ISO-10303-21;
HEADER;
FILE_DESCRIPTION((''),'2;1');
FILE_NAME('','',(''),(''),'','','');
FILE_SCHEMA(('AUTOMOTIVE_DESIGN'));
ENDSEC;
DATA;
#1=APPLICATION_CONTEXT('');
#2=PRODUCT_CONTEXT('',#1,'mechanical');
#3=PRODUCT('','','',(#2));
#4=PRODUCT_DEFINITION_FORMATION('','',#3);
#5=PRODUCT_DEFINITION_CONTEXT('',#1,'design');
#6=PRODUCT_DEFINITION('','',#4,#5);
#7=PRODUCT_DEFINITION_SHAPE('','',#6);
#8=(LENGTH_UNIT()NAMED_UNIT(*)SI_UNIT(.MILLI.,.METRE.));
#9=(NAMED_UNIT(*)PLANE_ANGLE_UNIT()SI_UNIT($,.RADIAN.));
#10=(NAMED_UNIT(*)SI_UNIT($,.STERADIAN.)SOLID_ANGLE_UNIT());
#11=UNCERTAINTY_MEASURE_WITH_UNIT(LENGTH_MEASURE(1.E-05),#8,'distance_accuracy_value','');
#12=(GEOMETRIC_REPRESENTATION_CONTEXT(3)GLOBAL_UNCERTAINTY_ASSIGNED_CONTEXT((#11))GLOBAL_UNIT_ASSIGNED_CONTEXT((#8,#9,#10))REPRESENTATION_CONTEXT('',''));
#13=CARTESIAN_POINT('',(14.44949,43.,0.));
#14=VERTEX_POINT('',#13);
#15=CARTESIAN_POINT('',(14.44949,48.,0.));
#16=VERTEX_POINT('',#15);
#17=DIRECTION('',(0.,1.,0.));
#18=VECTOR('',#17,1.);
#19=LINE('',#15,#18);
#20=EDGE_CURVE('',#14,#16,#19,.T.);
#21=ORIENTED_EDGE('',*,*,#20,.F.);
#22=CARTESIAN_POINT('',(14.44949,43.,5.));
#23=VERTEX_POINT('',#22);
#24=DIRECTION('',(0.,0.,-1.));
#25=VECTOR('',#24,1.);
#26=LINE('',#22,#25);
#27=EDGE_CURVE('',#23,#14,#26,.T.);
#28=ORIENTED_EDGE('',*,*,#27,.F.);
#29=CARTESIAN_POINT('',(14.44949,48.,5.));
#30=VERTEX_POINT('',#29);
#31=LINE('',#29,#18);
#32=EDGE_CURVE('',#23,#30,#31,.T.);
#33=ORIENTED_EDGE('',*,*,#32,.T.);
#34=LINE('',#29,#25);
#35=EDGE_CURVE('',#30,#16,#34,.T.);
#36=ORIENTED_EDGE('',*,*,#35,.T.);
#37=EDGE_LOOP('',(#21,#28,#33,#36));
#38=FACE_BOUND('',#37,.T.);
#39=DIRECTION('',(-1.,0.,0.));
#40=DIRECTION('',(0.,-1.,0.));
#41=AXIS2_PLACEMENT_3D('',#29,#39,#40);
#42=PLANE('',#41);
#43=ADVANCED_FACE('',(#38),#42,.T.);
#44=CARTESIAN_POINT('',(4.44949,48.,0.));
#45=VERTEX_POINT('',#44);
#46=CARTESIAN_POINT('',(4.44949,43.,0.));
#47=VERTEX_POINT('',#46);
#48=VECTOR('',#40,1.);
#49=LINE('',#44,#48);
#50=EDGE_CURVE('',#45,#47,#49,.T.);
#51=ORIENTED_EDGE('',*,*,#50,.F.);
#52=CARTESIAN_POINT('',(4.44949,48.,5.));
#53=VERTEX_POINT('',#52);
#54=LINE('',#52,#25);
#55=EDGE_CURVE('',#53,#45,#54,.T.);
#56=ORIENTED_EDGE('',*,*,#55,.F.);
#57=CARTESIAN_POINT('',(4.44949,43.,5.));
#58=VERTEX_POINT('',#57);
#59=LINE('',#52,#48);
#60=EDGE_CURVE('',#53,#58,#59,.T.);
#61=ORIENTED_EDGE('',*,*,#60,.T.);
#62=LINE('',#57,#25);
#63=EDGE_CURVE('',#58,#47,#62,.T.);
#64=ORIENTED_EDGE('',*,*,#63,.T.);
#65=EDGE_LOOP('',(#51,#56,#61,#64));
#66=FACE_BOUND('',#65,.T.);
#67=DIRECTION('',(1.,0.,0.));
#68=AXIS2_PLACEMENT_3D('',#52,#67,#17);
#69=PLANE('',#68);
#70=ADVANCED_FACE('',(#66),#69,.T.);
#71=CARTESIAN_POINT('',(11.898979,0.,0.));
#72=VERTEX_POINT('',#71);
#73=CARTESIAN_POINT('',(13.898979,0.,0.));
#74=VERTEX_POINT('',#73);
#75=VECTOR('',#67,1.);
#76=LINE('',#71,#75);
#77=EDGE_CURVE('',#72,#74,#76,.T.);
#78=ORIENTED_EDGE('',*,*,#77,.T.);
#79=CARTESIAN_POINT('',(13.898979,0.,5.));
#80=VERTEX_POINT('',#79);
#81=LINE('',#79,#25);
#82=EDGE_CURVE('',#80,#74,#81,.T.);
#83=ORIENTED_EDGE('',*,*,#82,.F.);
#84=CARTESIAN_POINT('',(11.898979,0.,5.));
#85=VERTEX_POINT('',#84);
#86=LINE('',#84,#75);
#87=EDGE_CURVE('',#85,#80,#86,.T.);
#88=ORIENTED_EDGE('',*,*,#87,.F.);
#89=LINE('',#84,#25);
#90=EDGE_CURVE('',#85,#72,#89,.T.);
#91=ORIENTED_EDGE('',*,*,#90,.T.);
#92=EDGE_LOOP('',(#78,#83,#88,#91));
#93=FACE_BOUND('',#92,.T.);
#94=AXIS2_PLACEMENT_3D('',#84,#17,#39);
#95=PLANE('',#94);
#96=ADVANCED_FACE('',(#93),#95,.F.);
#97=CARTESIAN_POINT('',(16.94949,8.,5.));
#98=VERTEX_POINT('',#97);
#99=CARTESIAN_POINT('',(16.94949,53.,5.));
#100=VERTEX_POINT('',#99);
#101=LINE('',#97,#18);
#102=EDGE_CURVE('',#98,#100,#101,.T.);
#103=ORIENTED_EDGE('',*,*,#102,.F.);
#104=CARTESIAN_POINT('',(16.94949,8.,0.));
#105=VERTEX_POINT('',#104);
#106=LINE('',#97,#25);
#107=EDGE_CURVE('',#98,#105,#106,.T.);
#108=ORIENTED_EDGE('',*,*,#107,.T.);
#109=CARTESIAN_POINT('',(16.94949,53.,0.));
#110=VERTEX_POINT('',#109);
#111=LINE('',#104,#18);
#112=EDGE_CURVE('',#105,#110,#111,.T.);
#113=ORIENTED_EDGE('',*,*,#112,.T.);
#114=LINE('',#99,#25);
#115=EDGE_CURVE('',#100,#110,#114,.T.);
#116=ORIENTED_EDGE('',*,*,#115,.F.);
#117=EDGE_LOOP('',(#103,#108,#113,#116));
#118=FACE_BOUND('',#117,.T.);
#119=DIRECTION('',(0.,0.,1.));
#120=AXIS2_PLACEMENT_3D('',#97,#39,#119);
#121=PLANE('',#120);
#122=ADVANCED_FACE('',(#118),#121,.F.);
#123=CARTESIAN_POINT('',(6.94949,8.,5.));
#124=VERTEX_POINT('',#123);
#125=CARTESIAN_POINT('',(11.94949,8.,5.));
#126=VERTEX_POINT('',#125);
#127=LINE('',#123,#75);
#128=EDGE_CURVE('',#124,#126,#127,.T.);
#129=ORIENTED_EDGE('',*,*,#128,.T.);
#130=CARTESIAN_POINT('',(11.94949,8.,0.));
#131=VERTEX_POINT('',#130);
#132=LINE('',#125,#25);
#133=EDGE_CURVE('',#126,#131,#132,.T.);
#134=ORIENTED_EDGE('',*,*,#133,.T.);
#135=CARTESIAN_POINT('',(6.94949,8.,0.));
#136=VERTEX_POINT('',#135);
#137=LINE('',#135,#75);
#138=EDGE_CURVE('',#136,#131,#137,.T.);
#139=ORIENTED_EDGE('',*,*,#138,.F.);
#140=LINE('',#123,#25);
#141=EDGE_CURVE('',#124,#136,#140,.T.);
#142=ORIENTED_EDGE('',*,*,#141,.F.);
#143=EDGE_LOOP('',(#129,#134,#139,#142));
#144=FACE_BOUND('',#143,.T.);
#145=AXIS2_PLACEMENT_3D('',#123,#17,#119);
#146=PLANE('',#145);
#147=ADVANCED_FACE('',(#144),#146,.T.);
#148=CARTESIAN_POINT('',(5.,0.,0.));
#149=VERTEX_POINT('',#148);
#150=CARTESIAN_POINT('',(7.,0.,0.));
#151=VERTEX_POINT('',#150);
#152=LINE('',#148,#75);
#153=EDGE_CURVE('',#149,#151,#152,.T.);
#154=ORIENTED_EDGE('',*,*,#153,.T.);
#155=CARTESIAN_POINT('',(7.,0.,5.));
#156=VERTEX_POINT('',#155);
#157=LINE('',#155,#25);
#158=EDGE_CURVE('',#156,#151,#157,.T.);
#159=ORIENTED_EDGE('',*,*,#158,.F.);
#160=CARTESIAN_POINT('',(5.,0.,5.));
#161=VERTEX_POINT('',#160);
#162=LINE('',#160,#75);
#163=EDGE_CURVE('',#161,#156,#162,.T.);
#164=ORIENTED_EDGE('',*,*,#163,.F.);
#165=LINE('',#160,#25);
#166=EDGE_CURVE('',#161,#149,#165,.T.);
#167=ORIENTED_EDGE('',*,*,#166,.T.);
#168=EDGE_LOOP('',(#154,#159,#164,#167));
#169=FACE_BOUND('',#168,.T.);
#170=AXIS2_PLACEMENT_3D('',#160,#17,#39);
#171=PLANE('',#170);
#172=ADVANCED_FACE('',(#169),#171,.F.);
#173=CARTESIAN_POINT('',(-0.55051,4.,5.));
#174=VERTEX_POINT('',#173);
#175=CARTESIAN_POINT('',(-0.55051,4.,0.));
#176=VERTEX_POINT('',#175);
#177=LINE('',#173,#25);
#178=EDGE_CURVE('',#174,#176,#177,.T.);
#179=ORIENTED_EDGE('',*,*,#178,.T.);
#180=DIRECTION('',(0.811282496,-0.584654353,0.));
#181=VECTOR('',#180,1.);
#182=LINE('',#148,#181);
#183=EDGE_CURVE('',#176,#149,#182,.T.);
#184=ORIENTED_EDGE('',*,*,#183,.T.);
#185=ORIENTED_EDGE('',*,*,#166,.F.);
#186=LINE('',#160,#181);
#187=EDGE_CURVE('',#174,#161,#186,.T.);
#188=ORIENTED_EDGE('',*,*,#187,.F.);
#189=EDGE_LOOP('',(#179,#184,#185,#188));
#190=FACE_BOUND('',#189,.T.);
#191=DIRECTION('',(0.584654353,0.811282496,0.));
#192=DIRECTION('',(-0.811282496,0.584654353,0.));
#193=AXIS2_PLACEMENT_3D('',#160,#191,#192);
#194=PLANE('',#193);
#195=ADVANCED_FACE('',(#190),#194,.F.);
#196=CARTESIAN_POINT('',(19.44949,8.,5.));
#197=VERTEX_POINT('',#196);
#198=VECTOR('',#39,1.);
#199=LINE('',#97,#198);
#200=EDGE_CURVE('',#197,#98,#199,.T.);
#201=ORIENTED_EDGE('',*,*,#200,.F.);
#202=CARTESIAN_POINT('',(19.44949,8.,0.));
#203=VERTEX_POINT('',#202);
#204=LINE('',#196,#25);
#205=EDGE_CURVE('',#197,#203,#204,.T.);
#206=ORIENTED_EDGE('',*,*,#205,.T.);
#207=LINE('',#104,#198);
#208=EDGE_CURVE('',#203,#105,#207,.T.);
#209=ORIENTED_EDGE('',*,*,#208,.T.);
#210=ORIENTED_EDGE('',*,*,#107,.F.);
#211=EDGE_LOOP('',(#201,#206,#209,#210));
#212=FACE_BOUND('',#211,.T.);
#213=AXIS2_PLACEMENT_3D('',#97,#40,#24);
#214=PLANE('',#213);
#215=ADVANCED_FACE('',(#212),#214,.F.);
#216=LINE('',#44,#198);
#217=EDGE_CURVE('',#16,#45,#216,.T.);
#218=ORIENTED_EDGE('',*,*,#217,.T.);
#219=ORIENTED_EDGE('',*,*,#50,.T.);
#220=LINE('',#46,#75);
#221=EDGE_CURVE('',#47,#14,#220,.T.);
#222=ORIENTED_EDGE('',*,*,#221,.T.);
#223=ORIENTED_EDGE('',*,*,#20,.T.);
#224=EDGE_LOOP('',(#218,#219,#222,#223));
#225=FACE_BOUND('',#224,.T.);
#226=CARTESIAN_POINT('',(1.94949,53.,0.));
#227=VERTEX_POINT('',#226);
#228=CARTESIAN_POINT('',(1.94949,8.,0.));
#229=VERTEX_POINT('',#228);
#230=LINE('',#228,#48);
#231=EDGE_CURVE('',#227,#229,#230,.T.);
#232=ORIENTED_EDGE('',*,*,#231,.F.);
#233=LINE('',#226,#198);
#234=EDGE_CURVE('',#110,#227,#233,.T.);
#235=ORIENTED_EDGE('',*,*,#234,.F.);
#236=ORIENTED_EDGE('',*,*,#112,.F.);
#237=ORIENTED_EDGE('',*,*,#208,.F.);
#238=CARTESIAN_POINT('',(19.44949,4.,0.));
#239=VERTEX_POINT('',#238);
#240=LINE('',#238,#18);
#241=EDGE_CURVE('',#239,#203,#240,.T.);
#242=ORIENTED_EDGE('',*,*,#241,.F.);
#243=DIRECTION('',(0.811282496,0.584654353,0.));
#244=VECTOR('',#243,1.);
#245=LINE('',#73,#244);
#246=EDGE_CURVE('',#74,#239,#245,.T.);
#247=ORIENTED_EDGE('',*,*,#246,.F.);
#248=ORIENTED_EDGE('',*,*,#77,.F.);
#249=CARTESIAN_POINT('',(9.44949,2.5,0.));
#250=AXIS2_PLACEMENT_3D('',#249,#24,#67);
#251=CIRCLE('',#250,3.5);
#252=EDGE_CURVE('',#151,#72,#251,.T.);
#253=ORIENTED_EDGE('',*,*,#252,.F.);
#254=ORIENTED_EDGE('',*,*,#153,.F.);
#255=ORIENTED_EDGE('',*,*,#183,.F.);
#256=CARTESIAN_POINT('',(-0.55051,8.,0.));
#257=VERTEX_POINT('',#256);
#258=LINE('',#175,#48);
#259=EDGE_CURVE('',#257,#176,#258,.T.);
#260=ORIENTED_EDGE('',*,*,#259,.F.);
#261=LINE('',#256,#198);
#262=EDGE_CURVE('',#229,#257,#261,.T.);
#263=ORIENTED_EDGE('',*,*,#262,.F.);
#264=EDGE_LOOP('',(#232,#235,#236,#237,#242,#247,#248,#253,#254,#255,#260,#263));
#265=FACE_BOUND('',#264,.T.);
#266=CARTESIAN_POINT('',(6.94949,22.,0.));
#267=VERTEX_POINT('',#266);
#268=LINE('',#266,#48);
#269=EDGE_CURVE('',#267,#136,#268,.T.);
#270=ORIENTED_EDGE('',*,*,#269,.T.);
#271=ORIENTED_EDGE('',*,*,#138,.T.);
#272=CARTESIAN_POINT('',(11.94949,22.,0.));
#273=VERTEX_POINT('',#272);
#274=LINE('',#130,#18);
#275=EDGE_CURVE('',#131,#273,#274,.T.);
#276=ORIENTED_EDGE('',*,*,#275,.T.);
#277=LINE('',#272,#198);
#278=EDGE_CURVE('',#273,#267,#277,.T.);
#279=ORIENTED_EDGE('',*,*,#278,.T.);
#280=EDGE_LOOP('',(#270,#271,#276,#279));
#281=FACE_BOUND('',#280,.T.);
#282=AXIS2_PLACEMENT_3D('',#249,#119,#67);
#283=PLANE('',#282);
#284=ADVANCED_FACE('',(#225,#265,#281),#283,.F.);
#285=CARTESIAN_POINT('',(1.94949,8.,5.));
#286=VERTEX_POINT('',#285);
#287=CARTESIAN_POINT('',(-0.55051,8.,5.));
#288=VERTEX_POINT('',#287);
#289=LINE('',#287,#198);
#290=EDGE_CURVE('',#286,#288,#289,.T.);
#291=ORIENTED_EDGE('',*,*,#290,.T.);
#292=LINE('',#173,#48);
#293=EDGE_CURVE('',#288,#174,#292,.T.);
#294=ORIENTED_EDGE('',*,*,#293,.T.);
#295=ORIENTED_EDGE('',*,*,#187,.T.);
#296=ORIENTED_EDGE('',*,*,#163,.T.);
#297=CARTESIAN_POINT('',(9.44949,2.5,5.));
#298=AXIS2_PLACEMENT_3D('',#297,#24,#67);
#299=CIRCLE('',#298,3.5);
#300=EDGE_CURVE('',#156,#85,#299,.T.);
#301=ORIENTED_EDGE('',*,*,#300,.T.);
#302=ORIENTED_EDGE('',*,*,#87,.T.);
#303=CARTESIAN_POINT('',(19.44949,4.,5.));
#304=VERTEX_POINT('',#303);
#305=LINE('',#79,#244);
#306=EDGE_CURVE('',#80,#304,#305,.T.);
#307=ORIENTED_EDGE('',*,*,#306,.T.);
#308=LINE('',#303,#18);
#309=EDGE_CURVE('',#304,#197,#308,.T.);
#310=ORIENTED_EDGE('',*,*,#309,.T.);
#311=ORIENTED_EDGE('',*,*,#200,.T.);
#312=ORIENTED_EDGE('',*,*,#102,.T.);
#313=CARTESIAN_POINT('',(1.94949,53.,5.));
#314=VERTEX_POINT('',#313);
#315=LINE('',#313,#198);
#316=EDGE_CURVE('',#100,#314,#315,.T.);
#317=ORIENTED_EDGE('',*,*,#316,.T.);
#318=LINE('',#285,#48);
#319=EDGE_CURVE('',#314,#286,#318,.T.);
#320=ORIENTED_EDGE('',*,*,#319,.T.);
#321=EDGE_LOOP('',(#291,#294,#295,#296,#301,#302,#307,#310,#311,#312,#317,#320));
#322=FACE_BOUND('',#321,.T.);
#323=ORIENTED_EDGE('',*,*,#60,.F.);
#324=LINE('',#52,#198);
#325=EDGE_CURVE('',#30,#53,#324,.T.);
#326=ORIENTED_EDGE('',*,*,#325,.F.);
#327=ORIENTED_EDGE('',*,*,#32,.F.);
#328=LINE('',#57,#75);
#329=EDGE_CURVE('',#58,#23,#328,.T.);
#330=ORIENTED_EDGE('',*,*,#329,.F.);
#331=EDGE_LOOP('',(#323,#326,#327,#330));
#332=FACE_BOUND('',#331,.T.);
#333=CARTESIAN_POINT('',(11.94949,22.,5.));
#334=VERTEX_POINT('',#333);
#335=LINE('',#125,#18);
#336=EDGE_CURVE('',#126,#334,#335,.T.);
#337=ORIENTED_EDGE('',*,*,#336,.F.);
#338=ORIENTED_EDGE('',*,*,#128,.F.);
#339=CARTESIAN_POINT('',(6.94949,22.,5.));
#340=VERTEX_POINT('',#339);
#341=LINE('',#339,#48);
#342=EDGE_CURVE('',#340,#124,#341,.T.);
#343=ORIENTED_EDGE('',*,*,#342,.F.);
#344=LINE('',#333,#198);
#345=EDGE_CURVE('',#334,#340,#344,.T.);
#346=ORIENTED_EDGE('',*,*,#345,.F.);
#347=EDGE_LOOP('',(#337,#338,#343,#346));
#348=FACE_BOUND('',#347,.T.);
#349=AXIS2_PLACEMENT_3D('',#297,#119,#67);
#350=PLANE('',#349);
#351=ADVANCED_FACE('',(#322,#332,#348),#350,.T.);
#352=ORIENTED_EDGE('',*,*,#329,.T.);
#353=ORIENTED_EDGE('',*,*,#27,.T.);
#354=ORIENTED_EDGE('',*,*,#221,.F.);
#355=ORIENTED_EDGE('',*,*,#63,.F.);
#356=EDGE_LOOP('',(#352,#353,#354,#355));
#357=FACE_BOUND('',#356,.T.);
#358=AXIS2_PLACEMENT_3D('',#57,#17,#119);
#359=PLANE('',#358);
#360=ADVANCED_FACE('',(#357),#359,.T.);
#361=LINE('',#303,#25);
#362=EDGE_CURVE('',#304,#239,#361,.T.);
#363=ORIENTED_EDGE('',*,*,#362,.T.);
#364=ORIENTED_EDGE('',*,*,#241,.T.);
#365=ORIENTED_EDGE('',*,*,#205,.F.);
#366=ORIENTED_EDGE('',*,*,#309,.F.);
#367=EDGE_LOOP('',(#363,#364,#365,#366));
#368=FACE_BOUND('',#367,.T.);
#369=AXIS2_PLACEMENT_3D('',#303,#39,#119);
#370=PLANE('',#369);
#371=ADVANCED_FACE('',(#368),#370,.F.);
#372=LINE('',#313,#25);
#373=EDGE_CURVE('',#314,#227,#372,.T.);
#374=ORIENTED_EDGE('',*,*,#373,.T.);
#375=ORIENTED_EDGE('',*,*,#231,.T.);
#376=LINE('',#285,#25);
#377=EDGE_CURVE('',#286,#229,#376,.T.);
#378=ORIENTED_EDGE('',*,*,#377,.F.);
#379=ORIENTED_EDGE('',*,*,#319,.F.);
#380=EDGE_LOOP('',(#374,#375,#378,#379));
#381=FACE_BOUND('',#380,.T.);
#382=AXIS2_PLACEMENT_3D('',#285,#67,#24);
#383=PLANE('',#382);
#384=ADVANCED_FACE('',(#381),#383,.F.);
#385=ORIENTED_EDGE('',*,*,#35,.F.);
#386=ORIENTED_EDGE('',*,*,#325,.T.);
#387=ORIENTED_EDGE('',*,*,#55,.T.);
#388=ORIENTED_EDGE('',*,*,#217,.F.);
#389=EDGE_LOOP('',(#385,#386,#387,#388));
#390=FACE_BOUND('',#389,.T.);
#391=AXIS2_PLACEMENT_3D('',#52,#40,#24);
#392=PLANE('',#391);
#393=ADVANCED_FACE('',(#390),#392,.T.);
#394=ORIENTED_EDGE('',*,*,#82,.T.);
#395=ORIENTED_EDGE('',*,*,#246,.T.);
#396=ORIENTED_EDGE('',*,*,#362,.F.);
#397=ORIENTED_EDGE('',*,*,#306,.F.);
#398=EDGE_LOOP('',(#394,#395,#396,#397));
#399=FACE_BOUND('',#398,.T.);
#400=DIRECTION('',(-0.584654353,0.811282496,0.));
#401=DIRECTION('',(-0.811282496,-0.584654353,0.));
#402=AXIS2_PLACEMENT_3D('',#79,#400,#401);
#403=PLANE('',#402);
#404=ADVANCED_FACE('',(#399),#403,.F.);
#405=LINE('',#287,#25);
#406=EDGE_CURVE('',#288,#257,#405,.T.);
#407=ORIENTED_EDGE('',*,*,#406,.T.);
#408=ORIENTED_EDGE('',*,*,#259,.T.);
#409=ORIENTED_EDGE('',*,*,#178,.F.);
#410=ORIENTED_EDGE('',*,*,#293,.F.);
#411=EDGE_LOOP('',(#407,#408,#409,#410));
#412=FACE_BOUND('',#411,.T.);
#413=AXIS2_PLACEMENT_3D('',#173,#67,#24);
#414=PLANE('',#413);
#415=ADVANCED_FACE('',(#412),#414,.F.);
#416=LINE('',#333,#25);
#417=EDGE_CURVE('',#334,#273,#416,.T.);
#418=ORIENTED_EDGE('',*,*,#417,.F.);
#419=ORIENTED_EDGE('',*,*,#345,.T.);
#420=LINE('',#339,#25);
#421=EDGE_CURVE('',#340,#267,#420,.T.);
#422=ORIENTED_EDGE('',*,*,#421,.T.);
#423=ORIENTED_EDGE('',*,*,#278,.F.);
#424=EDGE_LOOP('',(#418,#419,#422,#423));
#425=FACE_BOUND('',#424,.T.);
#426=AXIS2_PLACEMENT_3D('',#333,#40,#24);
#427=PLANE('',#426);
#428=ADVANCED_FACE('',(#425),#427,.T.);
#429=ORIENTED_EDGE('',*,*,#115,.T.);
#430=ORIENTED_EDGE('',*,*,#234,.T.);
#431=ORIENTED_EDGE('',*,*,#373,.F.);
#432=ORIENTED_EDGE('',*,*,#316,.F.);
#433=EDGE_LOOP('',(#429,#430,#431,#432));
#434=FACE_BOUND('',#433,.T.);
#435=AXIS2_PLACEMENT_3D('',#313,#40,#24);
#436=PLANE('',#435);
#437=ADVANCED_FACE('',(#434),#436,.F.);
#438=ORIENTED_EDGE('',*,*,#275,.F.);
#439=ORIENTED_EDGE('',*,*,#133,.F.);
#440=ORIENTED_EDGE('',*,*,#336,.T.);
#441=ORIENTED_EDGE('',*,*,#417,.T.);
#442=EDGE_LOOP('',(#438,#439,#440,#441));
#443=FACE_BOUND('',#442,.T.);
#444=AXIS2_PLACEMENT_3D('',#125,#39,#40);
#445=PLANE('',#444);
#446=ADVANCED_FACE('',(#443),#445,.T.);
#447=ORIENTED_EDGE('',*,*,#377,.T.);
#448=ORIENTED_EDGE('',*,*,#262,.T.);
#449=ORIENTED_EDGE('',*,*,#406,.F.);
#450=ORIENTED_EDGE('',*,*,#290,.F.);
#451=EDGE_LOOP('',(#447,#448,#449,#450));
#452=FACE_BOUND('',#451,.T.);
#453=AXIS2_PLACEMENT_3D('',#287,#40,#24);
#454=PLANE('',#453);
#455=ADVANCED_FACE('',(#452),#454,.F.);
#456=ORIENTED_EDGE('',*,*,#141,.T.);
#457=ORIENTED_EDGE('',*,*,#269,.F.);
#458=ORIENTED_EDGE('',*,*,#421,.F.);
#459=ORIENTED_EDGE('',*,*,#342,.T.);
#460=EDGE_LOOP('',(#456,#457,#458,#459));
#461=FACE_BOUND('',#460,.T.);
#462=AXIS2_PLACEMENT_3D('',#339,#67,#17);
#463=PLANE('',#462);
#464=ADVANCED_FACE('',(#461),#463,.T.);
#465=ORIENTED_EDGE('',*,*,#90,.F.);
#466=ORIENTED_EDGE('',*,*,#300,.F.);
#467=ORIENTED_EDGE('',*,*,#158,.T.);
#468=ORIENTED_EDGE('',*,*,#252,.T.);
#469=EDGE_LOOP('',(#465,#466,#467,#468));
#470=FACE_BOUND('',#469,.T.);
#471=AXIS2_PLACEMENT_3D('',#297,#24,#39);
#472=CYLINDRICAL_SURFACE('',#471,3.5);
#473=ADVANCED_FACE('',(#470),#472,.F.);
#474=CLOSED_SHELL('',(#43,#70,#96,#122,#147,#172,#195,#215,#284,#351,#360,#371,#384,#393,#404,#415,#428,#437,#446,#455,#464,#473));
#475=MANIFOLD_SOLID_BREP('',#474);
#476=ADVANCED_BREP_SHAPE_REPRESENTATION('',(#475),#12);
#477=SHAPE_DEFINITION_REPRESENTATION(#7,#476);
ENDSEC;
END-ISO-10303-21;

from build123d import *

# Parameters (mm, degrees)
SKETCH1_W           = 5
SKETCH1_H           = 14
SKETCH1_W_2         = 10
SKETCH1_H_2         = 5
BOSS_EXTRUDE1_DEPTH = 5


with BuildPart() as part:
    # Sketch1 → Boss-Extrude1 (new body)
    with BuildSketch(Plane.XY):
        with BuildLine():
            Line((16.949489743, 8), (19.449489743, 8))
            Line((19.449489743, 8), (19.449489743, 4))
            Line((19.449489743, 4), (13.898979486, 0))
            Line((13.898979486, 0), (11.898979486, 0))
            ThreePointArc((11.898979486, 0), (9.449489743, 6), (7, 0))
            Line((7, 0), (5, 0))
            Line((5, 0), (-0.550510257, 4))
            Line((-0.550510257, 4), (-0.550510257, 8))
            Line((-0.550510257, 8), (1.949489743, 8))
            Line((1.949489743, 8), (1.949489743, 53))
            Line((1.949489743, 53), (16.949489743, 53))
            Line((16.949489743, 53), (16.949489743, 8))
        make_face()
        with Locations((9.449489743, 15)):
            Rectangle(SKETCH1_W, SKETCH1_H, mode=Mode.SUBTRACT)
        with Locations((9.449489743, 45.5)):
            Rectangle(SKETCH1_W_2, SKETCH1_H_2, mode=Mode.SUBTRACT)
    extrude(amount=BOSS_EXTRUDE1_DEPTH)


solid = part.part
